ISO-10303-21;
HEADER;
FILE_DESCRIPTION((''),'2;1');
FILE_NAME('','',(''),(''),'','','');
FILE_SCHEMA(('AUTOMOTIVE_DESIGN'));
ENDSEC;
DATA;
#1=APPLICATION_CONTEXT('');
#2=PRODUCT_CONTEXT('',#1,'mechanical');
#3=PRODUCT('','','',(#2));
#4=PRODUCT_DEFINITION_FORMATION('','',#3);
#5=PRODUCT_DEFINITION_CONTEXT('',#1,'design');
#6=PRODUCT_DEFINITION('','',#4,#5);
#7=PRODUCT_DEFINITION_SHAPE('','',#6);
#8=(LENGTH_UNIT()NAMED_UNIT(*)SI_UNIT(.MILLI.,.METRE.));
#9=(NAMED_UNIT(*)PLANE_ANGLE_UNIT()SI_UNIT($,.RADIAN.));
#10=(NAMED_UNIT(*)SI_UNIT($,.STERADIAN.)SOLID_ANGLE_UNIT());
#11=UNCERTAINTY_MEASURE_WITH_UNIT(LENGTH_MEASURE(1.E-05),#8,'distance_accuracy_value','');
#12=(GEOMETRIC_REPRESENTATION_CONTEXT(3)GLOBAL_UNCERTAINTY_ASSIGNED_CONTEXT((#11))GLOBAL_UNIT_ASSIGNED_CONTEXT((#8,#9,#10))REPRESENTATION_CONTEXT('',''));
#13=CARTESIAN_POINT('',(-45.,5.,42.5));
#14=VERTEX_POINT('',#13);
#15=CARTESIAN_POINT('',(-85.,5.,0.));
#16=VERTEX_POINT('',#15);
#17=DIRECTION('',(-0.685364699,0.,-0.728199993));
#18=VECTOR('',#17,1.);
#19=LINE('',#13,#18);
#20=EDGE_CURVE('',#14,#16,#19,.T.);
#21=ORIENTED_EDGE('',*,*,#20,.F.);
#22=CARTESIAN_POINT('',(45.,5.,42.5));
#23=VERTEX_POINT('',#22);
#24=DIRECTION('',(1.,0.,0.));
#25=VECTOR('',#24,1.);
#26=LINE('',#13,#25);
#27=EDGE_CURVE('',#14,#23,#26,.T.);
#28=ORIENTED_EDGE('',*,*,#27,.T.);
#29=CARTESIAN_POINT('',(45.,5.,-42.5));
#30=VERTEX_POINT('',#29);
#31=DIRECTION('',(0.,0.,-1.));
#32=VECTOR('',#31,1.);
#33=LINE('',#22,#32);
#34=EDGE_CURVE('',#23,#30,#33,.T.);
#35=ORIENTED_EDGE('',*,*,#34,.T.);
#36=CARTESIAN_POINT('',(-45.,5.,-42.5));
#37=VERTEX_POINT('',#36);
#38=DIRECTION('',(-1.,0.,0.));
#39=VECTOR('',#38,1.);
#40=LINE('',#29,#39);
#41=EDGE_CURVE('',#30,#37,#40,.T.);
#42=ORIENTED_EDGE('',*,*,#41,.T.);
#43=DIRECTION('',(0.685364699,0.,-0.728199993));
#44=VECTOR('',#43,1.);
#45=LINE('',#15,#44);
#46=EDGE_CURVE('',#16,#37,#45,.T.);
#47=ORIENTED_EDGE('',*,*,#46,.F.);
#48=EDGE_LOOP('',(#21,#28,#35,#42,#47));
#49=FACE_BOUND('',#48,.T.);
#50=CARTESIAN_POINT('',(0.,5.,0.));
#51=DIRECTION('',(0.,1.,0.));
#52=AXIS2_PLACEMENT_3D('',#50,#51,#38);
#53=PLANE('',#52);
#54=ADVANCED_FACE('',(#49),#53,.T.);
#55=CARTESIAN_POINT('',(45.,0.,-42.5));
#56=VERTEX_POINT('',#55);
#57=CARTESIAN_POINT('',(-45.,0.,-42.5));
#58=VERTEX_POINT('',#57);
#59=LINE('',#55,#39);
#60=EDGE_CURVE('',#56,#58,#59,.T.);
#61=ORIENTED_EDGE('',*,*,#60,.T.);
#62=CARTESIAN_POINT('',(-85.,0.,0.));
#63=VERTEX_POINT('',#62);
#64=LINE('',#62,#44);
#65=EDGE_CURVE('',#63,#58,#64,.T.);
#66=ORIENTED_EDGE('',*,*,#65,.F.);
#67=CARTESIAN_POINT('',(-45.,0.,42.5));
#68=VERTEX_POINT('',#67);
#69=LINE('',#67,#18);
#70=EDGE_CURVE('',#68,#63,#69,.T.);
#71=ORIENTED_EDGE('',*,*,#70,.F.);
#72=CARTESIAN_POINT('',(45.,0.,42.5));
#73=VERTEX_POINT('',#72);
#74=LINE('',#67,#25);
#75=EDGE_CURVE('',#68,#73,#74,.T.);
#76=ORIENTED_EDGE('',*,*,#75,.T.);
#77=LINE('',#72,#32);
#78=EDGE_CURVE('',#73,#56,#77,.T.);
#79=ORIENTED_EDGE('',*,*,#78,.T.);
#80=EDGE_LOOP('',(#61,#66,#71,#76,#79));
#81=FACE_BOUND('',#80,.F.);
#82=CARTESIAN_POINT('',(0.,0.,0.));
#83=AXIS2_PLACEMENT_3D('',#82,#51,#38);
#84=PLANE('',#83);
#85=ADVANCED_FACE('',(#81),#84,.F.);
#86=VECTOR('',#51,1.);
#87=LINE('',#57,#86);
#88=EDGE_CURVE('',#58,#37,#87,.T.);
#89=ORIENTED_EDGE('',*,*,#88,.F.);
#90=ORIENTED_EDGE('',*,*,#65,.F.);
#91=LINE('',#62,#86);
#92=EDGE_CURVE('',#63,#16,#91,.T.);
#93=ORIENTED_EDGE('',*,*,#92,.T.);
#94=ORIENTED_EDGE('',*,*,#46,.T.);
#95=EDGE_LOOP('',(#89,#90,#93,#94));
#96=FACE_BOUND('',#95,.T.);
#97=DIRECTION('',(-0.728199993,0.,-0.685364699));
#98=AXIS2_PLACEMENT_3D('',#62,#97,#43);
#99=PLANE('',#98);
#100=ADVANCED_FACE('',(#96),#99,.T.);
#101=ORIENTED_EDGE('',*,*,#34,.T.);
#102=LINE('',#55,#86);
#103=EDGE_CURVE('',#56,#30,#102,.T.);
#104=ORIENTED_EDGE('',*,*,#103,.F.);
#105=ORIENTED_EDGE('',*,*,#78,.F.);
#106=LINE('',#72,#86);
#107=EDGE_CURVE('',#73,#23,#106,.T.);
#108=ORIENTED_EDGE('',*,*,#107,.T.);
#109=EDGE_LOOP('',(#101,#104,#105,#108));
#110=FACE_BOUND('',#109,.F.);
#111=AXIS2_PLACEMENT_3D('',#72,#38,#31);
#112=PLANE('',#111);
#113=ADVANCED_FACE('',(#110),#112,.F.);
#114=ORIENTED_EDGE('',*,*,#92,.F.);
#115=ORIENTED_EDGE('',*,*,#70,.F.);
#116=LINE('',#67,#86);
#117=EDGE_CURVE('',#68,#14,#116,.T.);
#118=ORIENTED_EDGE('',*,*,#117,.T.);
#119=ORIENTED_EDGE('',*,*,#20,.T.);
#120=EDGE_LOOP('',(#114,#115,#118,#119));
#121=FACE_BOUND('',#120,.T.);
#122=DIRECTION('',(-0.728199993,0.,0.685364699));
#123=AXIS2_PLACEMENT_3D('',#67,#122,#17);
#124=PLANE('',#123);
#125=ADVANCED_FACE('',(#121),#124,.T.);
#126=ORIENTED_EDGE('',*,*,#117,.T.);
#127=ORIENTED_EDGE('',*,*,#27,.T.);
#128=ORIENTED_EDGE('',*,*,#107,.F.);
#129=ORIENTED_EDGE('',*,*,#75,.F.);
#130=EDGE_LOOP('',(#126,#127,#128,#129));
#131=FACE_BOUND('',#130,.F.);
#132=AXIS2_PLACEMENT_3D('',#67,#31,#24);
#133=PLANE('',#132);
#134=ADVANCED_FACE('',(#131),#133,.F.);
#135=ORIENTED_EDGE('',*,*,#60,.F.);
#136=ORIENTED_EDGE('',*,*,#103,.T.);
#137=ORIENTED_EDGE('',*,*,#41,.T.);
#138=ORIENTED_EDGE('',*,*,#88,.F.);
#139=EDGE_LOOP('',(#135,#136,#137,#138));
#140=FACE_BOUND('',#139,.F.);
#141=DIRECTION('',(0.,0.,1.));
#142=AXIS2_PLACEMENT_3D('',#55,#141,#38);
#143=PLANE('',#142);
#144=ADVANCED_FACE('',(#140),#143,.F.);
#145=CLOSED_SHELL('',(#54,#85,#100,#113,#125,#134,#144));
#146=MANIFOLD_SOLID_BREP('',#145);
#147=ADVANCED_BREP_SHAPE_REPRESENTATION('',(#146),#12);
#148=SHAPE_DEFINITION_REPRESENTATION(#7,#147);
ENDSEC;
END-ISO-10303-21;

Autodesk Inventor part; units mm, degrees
ref_plane "YZ Plane" through (0, 0, 0) normal (1, 0, 0) x (0, 1, 0)
ref_plane "XZ Plane" through (0, 0, 0) normal (0, 1, 0) x (-1, 0, 0)
ref_plane "XY Plane" through (0, 0, 0) normal (0, 0, 1) x (1, 0, 0)
sketch "Sketch1" plane through (0, 0, 0) normal (0, 1, 0) x (-1, 0, 0)
  line L0 (45, 42.5) -> (-45, 42.5)
  line L1 (-45, 42.5) -> (-45, -42.5)
  line L2 (-45, -42.5) -> (45, -42.5)
  line L3 (45, 42.5) -> (-45, -42.5) construction
  line L4 (-45, 42.5) -> (45, -42.5) construction
  line L5 (45, 42.5) -> (85, 0)
  line L6 (85, 0) -> (45, -42.5)
  point P0 (0, 0)
  dimension "d0" = 90
  dimension "d1" = 85
extrude "Extrusion1" add sketch "Sketch1" along normal blind 5
properties part number "lidar_base"
